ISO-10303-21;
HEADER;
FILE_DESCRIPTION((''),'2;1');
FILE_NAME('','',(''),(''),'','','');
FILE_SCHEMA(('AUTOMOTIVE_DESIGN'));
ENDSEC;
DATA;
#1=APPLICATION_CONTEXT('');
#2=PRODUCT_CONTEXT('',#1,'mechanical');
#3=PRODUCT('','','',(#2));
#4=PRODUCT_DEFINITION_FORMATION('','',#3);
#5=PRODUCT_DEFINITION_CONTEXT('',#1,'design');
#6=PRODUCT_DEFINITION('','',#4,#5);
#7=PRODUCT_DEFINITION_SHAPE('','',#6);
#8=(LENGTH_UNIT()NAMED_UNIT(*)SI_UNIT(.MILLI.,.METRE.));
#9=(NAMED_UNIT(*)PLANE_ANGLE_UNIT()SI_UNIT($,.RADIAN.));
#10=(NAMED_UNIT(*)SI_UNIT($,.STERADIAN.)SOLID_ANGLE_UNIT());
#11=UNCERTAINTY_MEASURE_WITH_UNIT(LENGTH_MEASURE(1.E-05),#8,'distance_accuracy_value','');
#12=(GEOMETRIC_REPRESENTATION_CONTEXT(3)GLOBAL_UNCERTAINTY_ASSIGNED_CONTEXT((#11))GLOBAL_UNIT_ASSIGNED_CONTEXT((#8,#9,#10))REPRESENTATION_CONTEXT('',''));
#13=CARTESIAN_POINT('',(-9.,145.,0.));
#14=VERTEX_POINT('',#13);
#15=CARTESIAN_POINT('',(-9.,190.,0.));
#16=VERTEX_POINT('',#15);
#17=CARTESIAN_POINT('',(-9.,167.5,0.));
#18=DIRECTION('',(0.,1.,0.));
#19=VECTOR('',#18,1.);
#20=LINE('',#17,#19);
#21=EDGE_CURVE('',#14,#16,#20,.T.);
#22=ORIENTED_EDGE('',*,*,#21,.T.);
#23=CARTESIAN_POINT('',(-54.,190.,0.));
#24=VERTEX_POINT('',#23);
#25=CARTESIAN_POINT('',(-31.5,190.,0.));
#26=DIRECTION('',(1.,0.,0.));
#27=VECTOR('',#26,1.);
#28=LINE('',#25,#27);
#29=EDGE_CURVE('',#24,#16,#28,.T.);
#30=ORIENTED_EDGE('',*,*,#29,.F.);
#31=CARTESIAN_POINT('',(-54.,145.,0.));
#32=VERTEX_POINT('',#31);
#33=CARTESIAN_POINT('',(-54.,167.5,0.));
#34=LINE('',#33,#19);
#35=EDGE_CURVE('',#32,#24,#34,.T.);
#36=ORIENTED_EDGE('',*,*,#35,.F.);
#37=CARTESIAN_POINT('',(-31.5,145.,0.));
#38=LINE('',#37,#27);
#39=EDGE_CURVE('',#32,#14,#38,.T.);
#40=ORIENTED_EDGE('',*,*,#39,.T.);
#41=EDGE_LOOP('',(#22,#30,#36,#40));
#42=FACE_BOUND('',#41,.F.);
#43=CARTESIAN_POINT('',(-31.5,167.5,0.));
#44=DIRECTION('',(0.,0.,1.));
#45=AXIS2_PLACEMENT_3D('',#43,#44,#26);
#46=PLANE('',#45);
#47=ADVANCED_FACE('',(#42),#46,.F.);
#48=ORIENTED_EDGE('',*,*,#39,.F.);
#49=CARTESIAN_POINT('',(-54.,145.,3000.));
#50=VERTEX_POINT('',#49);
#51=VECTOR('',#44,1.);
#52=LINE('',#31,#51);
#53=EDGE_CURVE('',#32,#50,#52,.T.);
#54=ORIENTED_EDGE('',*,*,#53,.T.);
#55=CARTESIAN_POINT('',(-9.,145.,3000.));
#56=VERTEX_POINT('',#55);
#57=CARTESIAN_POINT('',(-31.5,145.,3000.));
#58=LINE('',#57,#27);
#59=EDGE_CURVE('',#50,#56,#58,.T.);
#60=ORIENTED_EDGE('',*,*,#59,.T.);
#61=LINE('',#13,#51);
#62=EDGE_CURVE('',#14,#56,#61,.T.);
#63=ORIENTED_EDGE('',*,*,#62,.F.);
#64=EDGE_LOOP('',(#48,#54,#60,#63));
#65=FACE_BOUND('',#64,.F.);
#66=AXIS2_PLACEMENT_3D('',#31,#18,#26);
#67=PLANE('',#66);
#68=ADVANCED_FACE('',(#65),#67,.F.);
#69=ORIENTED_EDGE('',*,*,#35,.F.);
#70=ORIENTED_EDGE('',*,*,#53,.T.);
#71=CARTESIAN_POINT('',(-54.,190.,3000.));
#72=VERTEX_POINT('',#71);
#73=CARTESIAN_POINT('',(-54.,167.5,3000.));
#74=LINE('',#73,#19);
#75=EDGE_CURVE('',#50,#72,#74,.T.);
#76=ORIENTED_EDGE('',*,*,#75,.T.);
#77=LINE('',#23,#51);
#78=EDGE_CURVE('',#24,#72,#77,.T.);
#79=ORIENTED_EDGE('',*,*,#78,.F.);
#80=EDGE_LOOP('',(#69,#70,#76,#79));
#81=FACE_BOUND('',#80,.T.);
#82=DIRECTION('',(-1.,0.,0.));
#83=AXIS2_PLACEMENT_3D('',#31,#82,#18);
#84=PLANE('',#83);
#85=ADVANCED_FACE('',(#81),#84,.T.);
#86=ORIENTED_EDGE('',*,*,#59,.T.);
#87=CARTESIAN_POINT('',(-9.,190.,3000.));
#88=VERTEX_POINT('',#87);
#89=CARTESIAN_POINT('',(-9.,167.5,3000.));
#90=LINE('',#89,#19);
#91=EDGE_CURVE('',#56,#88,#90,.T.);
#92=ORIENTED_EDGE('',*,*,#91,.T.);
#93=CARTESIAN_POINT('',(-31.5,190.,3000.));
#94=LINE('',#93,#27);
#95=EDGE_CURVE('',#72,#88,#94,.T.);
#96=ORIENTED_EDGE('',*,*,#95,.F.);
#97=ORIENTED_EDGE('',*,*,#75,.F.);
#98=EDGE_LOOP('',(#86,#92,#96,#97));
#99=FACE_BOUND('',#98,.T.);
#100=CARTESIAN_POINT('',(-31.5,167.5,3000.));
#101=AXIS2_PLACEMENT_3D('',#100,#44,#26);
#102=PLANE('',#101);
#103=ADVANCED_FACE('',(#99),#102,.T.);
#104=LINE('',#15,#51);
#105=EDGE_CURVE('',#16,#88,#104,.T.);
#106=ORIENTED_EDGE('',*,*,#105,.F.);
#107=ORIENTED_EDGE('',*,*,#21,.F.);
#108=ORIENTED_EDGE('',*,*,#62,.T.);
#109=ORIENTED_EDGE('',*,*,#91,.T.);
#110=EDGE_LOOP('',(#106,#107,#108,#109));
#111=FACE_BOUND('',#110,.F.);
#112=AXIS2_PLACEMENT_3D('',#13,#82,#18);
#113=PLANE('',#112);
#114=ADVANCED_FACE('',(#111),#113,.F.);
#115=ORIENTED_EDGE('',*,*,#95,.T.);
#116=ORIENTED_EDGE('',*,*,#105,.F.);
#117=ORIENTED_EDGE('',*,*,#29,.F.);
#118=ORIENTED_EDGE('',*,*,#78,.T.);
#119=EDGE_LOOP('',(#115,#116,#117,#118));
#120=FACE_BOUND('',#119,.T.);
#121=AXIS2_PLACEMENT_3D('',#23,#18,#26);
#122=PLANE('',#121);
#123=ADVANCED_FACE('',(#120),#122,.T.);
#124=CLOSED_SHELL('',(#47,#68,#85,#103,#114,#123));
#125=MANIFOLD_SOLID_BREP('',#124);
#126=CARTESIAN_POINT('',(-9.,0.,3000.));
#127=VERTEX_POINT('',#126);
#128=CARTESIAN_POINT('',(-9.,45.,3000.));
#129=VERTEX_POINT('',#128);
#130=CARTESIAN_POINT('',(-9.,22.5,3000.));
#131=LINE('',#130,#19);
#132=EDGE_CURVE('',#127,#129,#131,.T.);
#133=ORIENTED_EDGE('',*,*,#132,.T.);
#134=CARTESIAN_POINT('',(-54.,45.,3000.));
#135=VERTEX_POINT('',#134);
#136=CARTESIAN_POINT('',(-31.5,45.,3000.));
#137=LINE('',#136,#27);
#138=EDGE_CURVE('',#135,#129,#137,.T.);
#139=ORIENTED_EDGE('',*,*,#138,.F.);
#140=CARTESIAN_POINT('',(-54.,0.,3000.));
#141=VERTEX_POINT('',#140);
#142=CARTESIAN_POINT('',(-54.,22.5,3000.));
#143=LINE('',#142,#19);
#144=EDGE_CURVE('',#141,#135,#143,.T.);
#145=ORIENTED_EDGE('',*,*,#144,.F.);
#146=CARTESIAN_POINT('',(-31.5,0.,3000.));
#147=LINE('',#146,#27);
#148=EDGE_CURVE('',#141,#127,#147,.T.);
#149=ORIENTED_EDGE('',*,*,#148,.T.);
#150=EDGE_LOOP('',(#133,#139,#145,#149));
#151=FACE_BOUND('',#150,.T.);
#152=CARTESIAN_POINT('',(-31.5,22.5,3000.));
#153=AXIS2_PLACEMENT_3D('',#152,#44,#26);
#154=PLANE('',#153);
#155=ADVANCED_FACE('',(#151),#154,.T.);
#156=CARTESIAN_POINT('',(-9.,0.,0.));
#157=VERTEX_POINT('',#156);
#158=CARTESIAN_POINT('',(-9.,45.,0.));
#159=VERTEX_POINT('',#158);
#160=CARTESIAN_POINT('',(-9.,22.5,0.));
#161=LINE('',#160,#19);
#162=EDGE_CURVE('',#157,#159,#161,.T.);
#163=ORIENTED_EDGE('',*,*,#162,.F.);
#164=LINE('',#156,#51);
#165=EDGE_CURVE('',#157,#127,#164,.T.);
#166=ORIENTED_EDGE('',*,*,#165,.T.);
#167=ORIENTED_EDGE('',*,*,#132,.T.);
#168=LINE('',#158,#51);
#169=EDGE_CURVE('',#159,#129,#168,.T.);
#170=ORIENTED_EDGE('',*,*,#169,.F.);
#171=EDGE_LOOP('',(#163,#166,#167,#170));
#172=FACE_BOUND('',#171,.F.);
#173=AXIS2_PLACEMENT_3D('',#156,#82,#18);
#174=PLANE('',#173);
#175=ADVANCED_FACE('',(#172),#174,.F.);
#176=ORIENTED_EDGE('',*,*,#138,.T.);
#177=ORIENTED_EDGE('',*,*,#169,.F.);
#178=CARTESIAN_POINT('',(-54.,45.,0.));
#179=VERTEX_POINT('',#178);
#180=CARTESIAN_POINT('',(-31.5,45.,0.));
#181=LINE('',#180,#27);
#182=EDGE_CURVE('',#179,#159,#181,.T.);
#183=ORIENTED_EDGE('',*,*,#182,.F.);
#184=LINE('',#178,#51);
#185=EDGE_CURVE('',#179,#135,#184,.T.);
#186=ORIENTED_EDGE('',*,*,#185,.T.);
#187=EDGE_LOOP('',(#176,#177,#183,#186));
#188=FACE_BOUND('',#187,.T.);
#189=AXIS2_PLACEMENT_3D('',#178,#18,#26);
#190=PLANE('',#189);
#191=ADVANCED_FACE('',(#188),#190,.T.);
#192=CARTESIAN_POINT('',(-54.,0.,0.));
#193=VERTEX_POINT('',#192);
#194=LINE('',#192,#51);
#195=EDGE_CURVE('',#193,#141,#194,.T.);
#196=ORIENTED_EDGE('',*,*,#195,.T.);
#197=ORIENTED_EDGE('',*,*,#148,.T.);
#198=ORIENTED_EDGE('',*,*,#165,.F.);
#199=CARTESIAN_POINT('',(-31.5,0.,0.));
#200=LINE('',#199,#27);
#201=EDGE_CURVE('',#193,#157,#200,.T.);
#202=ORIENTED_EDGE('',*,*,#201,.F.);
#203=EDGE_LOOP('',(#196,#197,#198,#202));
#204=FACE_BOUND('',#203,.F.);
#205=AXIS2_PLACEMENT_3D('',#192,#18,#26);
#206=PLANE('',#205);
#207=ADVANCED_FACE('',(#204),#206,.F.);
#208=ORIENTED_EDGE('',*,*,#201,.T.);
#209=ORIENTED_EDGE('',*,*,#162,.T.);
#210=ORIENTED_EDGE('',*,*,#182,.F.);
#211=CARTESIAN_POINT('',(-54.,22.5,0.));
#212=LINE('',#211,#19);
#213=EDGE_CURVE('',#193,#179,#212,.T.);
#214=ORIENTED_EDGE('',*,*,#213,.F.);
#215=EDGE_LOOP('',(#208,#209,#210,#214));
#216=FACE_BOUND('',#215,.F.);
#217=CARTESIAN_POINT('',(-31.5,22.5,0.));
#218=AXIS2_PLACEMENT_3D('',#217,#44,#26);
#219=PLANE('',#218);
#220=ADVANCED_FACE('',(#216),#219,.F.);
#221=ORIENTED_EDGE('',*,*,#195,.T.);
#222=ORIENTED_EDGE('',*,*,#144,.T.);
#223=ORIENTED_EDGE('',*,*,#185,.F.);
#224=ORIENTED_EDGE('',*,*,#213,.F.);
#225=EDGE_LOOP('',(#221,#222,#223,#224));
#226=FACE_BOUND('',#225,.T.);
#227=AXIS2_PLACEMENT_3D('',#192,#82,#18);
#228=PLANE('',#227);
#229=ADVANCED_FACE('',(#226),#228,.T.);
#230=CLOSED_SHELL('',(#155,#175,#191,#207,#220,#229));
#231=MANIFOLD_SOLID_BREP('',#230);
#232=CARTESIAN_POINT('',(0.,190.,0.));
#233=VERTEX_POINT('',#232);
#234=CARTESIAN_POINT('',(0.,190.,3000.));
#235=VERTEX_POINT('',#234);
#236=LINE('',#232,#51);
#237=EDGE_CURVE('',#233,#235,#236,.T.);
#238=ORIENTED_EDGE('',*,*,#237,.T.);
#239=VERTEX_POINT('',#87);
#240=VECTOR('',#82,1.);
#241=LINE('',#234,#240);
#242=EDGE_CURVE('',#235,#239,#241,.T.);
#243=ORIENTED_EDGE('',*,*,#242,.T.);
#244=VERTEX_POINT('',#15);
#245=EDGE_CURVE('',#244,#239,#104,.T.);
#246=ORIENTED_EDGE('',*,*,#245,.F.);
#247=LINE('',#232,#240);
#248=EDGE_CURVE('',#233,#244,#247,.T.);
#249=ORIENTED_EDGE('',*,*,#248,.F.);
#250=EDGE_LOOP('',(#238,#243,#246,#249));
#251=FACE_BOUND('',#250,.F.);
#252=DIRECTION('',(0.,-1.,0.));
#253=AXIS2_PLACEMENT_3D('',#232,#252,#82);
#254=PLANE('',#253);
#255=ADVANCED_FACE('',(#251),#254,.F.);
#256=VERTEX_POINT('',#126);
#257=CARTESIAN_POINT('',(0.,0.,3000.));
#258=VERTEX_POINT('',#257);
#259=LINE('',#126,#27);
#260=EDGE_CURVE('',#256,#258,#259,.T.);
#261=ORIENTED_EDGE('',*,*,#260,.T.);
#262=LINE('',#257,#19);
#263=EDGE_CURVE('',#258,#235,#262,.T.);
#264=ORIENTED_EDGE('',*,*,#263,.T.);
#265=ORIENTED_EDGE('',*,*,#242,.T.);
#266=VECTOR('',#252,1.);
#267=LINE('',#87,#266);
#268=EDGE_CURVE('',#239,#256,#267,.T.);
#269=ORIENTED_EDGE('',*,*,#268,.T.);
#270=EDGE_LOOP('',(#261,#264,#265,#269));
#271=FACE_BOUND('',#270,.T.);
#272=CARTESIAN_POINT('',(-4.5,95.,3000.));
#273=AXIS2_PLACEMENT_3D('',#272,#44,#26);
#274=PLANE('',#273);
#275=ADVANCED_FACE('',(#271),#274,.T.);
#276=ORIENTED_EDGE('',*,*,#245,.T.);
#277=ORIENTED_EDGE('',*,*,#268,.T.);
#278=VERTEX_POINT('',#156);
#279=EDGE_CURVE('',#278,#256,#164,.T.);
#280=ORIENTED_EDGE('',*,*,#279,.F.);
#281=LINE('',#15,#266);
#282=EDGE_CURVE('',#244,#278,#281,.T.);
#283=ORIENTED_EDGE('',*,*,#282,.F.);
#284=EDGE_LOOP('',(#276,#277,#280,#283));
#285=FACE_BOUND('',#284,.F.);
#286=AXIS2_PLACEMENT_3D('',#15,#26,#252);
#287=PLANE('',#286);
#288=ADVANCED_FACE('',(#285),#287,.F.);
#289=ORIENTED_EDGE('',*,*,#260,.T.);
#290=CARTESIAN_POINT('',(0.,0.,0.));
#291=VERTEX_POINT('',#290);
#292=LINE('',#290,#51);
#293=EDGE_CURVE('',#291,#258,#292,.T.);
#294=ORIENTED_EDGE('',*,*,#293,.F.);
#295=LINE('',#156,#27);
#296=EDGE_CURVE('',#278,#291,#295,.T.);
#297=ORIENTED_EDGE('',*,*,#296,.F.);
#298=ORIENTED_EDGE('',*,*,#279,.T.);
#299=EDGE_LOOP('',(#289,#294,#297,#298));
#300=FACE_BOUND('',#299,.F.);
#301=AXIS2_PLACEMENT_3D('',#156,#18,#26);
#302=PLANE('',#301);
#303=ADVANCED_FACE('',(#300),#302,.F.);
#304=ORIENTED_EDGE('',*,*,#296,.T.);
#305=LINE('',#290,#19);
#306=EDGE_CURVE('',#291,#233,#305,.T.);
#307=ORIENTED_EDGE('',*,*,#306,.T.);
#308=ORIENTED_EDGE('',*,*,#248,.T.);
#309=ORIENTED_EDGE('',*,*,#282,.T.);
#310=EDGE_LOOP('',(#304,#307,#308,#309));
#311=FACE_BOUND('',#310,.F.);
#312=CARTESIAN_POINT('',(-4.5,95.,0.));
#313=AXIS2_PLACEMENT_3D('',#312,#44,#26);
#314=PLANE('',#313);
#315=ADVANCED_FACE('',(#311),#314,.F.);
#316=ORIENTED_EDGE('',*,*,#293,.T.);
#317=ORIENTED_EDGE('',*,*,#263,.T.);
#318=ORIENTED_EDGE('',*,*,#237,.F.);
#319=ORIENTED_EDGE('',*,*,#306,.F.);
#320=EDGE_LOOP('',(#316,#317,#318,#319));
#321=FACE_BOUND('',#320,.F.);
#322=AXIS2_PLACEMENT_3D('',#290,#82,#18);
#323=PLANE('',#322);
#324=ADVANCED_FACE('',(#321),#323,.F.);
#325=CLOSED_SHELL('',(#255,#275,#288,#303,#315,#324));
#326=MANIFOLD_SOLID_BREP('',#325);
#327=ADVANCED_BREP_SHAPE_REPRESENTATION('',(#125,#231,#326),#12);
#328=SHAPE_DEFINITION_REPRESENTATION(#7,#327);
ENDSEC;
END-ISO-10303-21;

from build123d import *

# Parameters (mm, degrees)
F0_W     = 45
F0_H     = 45
F1_DEPTH = 3000
F2_DEPTH = 3000


with BuildPart() as f1:
    # F0 (on Top) → F1 (new body)
    with BuildSketch(Plane.XY):
        with Locations((-31.5, 22.5)):
            Rectangle(F0_W, F0_H)
        with Locations((-31.5, 167.5)):
            Rectangle(F0_W, F0_H)
    extrude(amount=F1_DEPTH)


with BuildPart() as f2:
    # F0 (on Top) → F2 (new body)
    with BuildSketch(Plane.XY):
        Polygon((-9, 0), (0, 0), (0, 190), (-9, 190), (-9, 145), (-9, 45), align=None)
    extrude(amount=F2_DEPTH)


solid = Compound([f1.part, f2.part])
